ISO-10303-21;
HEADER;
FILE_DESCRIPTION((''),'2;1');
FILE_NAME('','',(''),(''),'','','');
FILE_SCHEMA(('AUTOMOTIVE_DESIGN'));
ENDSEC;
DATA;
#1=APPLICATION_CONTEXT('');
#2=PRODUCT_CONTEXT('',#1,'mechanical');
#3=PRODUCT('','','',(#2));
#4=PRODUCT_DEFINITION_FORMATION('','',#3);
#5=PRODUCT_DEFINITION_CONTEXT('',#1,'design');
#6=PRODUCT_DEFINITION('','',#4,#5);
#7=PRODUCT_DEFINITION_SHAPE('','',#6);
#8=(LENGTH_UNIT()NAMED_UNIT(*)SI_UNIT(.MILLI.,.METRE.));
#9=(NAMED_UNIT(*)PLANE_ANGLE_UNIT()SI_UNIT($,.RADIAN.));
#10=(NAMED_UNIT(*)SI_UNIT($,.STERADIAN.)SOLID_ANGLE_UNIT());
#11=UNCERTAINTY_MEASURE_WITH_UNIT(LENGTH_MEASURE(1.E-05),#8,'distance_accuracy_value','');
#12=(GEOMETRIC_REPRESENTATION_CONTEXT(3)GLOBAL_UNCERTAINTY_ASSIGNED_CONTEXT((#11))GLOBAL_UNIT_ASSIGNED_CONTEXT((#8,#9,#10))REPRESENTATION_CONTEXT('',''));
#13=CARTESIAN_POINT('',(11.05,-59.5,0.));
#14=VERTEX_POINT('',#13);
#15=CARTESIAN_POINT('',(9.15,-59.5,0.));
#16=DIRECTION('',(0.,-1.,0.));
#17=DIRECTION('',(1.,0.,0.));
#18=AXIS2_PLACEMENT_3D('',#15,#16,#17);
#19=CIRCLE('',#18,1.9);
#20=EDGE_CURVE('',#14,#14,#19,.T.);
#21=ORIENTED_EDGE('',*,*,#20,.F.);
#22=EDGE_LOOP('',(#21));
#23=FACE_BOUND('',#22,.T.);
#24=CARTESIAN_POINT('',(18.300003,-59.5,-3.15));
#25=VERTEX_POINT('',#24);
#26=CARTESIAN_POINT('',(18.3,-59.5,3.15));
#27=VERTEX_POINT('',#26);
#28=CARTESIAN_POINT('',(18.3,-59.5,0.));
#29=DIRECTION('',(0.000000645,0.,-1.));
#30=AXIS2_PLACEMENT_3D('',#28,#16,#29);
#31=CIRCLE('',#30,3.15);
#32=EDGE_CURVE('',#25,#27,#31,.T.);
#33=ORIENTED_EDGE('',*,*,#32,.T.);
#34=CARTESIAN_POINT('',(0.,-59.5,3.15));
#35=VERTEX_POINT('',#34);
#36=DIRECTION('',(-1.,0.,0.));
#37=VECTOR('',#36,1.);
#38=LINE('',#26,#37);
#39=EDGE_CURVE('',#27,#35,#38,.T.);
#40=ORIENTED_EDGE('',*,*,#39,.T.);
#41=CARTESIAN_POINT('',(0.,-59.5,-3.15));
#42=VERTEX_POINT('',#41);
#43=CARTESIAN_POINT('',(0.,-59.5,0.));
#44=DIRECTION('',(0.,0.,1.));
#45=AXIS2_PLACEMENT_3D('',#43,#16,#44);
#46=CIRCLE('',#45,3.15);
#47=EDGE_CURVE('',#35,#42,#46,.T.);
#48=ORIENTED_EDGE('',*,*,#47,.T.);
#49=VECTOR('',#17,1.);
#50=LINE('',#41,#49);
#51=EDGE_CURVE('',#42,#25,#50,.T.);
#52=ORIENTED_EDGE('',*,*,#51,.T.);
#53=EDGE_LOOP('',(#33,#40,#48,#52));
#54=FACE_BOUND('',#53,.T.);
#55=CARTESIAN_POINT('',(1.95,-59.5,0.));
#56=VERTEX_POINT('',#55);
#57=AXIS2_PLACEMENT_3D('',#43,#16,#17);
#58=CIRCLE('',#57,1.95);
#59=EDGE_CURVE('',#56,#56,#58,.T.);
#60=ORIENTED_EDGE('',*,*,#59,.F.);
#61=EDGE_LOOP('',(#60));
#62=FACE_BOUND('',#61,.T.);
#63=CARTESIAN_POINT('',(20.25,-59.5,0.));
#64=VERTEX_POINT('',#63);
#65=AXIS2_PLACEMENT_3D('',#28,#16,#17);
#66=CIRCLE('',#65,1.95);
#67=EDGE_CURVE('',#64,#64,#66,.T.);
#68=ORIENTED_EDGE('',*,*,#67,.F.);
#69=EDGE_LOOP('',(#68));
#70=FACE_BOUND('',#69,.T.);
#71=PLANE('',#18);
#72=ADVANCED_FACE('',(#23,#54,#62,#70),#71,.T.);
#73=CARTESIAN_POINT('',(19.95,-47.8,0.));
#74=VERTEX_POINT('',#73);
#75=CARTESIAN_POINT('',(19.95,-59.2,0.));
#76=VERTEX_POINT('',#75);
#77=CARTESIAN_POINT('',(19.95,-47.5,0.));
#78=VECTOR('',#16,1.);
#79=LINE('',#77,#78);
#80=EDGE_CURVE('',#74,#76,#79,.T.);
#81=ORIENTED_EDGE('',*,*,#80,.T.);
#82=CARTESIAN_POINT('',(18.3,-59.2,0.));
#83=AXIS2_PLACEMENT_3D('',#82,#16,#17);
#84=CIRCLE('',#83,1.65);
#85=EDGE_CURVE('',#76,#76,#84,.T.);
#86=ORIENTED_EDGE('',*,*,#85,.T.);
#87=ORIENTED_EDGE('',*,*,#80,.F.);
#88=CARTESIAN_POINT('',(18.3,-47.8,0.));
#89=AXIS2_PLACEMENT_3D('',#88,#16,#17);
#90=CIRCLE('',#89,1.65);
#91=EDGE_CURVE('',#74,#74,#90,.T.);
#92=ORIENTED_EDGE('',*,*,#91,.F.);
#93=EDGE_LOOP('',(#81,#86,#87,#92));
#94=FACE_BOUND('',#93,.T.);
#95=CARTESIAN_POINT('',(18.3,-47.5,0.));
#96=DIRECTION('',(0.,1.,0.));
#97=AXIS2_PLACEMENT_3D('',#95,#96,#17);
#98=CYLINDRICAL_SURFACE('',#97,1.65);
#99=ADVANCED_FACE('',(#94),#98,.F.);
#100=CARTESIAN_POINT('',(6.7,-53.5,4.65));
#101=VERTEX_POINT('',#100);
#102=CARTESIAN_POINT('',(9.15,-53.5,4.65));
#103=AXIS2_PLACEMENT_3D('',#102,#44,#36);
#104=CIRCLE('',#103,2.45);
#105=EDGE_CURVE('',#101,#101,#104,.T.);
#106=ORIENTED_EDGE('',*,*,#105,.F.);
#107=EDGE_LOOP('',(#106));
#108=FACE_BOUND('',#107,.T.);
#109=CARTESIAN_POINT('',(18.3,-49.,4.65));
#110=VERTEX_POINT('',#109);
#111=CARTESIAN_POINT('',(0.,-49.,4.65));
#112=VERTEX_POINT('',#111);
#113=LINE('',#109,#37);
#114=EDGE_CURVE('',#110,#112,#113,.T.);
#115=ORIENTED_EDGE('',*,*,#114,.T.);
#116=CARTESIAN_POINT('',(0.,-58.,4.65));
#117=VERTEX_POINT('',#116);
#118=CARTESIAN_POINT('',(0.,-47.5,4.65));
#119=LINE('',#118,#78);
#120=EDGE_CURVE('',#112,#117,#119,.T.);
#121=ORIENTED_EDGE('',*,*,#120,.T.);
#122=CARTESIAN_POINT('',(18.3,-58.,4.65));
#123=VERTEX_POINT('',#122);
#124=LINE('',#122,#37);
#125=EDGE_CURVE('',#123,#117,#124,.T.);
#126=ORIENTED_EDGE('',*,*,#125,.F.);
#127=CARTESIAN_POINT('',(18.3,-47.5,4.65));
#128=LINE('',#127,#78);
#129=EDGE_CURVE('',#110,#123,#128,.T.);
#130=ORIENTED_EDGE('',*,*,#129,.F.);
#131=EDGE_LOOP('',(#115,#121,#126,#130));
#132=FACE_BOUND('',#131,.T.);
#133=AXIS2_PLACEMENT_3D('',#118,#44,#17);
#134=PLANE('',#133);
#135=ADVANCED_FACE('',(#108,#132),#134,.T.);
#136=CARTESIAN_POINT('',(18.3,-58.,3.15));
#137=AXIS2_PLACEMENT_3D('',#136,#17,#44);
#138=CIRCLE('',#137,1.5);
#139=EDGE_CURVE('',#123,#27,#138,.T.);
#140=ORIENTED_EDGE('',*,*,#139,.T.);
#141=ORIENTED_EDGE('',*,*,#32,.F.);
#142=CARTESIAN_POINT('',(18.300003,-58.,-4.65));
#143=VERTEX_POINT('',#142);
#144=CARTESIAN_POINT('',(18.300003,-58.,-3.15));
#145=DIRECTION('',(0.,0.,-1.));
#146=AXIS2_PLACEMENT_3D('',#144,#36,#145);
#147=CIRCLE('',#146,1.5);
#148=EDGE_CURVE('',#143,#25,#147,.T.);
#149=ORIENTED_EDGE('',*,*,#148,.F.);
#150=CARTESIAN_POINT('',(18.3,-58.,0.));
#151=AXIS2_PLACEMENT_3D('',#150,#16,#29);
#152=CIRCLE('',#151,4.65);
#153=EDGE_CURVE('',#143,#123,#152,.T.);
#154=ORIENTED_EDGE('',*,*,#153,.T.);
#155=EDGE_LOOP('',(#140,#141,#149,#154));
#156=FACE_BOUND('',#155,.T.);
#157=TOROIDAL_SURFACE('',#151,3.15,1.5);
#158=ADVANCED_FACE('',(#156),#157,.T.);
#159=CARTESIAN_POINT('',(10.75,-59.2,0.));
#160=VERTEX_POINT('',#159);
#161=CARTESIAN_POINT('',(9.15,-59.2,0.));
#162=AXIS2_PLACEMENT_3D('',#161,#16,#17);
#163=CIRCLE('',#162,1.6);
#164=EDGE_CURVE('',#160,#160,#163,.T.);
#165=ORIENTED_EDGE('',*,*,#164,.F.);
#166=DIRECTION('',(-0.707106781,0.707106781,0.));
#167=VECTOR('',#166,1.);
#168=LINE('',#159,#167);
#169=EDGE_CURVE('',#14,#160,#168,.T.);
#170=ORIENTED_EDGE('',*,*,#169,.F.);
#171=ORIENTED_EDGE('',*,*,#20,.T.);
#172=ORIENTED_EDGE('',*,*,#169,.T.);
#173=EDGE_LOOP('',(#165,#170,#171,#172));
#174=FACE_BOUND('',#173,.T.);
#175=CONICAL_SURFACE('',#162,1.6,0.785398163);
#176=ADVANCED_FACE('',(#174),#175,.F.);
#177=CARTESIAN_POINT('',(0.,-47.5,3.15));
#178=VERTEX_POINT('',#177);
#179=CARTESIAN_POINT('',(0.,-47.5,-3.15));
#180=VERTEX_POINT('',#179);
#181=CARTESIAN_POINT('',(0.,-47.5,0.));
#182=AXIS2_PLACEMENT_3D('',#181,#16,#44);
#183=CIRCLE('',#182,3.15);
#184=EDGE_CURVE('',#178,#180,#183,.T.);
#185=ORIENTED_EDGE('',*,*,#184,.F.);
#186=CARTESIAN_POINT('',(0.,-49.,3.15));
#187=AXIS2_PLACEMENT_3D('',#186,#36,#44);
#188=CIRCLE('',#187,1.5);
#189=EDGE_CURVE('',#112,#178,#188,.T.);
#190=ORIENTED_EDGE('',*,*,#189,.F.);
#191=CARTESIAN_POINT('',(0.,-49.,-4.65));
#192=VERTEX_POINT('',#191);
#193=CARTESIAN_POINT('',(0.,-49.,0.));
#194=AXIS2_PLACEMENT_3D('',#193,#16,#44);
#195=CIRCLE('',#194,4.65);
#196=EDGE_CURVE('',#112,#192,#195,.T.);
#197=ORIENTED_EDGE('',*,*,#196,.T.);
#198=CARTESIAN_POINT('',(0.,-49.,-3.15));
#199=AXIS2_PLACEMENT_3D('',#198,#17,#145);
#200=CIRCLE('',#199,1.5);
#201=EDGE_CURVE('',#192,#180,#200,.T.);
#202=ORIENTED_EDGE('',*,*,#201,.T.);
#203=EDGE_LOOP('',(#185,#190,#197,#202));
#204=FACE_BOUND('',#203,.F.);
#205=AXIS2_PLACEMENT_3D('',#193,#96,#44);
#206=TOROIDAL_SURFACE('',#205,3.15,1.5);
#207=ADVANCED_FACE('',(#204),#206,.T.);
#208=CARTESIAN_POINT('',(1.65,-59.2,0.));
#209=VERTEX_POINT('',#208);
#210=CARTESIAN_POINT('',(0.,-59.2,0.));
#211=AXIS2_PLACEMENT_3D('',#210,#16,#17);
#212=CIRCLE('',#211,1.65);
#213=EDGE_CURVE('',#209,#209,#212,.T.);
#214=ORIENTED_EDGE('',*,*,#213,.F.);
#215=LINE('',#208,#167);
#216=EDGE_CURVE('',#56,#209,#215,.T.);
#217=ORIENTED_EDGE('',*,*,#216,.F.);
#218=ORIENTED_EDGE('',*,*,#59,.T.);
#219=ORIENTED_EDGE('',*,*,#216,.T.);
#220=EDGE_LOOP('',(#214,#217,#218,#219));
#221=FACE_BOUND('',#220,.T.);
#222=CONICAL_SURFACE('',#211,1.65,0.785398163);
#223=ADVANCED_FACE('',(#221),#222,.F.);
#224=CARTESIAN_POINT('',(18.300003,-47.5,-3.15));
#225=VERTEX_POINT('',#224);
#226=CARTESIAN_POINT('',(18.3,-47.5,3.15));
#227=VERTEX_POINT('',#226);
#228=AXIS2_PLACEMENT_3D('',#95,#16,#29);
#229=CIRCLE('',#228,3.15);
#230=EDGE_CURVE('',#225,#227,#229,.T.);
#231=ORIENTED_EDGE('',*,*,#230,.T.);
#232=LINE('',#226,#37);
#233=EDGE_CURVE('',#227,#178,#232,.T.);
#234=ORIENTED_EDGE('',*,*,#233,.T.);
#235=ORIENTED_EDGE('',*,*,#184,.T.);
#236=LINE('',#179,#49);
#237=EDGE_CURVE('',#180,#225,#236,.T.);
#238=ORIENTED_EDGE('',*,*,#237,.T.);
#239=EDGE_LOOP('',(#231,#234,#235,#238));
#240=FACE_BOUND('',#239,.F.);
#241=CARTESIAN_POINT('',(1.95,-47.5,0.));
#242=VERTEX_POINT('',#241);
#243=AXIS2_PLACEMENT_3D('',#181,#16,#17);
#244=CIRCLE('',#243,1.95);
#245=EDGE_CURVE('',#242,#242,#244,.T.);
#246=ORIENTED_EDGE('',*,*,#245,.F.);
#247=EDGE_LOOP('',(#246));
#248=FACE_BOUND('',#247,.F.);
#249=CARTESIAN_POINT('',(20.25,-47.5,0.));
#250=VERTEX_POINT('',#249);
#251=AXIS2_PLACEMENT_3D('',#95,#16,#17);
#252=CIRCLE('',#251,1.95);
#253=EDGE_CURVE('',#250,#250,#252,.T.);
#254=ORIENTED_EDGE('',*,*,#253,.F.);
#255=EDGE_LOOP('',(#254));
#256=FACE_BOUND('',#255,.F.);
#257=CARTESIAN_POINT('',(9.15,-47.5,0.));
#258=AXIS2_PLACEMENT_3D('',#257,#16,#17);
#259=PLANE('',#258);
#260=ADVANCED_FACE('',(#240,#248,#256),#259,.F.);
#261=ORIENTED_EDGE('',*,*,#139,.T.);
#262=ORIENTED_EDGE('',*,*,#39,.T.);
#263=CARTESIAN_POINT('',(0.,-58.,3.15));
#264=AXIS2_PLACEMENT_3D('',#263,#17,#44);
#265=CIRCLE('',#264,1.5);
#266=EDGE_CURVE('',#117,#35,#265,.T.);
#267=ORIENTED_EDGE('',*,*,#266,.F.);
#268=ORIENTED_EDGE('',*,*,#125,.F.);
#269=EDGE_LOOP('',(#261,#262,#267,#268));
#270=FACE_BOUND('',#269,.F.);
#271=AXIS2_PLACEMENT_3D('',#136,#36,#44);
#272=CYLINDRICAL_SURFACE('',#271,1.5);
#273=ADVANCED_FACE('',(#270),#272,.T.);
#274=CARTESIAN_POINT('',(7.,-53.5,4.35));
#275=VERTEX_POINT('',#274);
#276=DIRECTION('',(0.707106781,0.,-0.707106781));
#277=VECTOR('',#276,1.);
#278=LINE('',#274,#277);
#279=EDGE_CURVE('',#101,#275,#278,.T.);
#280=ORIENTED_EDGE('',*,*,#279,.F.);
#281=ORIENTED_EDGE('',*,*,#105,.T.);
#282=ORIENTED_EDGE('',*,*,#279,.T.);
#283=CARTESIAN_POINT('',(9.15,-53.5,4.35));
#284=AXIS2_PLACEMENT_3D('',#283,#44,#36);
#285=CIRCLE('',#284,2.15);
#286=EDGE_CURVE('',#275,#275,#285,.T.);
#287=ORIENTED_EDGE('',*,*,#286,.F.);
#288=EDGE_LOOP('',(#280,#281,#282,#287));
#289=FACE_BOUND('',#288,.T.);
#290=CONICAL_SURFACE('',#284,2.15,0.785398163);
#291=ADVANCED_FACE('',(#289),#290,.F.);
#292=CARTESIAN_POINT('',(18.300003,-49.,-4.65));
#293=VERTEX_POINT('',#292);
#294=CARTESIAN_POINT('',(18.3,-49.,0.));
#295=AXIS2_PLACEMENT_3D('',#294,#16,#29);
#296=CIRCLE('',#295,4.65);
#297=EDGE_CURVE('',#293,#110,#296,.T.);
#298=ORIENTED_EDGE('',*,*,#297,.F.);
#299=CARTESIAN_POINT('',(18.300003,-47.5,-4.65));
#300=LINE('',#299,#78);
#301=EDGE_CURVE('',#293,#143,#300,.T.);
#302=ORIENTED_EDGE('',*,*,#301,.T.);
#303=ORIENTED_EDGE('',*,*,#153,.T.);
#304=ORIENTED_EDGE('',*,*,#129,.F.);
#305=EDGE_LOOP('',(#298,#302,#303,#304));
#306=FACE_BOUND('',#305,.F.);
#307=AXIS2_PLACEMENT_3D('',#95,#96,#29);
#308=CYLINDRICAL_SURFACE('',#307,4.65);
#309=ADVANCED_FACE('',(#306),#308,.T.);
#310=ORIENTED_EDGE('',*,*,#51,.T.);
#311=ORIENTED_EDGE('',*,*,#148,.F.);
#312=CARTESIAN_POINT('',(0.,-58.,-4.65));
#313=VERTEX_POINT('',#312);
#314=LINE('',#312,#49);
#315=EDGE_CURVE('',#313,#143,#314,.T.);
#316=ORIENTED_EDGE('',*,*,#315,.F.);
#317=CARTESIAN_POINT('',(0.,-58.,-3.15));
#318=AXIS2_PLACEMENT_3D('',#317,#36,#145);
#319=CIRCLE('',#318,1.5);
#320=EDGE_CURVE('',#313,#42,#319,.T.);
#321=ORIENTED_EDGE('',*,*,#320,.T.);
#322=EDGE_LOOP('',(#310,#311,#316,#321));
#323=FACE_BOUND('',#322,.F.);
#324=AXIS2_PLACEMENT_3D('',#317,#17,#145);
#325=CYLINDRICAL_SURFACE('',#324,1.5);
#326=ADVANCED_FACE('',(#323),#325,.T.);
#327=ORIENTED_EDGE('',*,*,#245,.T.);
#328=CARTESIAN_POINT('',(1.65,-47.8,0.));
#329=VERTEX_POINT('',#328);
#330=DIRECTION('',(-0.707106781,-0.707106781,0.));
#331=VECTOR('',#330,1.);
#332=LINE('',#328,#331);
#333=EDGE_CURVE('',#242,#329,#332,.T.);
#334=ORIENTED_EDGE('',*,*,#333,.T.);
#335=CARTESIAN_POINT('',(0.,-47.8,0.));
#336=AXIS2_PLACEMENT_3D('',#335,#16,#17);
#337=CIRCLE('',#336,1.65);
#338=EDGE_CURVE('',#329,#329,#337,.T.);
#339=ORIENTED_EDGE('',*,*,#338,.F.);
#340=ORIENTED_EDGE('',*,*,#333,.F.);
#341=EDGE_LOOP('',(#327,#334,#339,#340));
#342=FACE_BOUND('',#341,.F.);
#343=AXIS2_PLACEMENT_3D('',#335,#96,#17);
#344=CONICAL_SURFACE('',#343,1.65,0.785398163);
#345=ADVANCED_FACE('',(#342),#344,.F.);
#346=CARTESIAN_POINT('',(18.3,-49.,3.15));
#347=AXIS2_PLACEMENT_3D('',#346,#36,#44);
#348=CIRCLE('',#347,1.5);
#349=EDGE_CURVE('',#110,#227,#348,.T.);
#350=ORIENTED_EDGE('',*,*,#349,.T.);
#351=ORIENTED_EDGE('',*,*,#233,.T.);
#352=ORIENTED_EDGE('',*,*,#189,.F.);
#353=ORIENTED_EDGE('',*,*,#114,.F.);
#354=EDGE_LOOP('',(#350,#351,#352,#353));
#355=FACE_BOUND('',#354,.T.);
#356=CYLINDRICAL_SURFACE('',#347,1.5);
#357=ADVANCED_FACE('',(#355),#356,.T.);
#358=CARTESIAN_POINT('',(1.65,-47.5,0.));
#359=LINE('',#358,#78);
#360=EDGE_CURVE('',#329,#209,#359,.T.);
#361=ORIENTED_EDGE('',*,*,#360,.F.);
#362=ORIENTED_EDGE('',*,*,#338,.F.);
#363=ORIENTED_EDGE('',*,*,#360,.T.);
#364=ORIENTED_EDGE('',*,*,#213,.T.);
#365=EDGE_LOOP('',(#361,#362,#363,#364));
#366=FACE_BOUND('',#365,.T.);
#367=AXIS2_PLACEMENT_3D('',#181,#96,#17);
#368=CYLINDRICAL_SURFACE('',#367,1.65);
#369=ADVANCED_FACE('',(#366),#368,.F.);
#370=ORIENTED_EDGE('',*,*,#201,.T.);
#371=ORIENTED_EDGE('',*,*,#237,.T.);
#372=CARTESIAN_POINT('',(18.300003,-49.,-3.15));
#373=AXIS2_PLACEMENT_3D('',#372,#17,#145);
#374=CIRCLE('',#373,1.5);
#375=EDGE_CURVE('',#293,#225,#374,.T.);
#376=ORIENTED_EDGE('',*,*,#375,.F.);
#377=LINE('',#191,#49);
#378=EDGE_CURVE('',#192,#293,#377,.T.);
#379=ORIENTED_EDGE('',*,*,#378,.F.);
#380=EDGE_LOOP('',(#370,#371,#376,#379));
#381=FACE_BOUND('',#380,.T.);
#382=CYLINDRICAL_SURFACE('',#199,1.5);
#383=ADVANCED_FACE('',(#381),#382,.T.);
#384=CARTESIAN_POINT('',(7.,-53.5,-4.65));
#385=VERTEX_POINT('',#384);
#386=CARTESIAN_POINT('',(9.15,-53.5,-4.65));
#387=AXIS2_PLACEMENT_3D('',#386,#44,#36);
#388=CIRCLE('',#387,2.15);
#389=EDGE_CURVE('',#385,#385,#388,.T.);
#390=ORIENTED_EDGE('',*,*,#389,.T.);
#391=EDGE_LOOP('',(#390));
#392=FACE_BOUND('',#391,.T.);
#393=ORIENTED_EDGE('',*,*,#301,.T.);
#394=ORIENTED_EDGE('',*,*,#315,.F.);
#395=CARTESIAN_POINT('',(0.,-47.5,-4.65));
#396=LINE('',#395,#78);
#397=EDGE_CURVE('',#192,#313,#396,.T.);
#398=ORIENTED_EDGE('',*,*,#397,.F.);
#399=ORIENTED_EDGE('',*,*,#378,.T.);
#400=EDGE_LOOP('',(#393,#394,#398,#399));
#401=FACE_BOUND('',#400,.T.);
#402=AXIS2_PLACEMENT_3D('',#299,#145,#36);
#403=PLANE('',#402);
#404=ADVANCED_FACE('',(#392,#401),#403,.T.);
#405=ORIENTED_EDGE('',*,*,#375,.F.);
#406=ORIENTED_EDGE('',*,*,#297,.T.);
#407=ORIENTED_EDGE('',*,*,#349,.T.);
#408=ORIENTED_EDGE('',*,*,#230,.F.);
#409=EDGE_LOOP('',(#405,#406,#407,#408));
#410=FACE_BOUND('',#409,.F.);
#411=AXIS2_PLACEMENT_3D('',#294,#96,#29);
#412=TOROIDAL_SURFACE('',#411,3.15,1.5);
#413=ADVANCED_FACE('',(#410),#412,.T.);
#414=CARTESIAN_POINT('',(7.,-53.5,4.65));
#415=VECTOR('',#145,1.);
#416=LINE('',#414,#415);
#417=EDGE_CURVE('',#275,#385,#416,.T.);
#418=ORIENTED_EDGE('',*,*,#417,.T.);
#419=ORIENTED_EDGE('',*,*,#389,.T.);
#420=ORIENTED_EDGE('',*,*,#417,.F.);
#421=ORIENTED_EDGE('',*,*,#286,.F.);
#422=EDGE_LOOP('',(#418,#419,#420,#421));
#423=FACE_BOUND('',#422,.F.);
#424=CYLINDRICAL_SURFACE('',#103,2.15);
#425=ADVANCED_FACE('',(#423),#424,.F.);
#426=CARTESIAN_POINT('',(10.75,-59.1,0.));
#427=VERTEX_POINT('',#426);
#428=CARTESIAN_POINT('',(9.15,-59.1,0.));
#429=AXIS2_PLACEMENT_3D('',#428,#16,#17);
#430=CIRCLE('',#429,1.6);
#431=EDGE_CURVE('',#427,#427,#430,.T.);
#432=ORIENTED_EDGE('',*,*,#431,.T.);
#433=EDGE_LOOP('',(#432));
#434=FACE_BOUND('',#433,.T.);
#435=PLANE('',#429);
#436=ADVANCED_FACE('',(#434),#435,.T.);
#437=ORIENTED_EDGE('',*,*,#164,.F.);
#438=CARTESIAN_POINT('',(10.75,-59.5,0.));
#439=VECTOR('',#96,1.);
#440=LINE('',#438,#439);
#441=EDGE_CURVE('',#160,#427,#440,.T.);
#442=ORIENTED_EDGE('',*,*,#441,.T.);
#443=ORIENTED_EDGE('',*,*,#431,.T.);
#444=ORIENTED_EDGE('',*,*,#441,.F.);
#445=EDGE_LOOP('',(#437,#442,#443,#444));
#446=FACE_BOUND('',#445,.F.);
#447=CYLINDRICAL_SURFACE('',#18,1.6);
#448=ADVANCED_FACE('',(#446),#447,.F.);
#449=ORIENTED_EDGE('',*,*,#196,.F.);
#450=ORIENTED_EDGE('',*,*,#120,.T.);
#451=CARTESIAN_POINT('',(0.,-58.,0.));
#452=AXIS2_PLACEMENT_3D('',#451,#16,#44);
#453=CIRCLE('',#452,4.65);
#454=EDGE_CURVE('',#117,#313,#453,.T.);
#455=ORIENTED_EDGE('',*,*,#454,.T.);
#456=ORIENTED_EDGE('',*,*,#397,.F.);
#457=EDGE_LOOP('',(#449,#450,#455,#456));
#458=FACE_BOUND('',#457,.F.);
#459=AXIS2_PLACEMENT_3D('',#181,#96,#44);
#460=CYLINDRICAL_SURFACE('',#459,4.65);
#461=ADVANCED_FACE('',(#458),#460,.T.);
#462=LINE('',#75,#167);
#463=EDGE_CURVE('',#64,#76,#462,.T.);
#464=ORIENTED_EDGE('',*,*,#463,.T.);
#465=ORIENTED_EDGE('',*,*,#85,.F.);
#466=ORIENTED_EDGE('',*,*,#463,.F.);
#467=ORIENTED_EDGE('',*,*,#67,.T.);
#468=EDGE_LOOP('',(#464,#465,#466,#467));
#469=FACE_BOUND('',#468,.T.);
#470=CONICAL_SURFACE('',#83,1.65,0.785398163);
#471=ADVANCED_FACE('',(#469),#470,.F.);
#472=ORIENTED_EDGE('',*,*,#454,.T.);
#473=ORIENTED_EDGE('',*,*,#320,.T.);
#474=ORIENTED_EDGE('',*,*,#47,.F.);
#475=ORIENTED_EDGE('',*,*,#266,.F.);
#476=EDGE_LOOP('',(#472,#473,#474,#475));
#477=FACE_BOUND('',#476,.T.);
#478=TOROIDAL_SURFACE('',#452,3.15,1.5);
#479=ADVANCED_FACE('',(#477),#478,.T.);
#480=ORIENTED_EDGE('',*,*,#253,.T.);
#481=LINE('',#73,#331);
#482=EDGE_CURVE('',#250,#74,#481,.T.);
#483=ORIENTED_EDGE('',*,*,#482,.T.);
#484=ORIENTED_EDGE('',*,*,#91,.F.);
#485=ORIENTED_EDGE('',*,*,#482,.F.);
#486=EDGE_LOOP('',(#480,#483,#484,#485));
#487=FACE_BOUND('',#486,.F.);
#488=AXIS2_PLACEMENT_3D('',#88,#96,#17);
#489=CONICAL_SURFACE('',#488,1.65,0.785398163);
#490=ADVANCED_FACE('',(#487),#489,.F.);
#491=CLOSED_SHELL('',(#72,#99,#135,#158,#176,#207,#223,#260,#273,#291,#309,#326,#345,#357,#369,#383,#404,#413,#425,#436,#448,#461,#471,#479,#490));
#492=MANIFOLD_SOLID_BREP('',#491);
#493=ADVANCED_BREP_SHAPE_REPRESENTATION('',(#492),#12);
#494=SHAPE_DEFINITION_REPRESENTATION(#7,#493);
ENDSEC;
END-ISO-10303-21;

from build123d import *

# Parameters (mm, degrees)
SKETCH005_R     = 1.65
PAD003_DEPTH    = 12
SKETCH006_R     = 2.15
POCKET004_DEPTH = 20
CHAMFER002_SIZE = 0.3
FILLET002_R     = 1.5
SKETCH007_R     = 1.6
POCKET005_DEPTH = 0.4
CHAMFER003_SIZE = 0.3


with BuildPart() as part:
    # Sketch005 → Pad003 (new body)
    with BuildSketch(Plane.XZ):
        with BuildLine():
            ThreePointArc((0, 4.65), (-4.65, 0), (0, -4.65))
            Line((18.300003, -4.65), (0, -4.65))
            ThreePointArc((18.300003, -4.65), (22.95, 2e-06), (18.3, 4.65))
            Line((0, 4.65), (18.3, 4.65))
        make_face()
        Circle(SKETCH005_R, mode=Mode.SUBTRACT)
        with Locations((18.3, 0)):
            Circle(SKETCH005_R, mode=Mode.SUBTRACT)
    extrude(amount=PAD003_DEPTH)

    # Sketch006 (on Face2 of Pad003) → Pocket004 (cut)
    with BuildSketch(Plane(origin=(0, 0, 4.65), x_dir=(-1, 0, 0), z_dir=(0, 0, 1))):
        with Locations((-9.15, 6)):
            Circle(SKETCH006_R)
    extrude(amount=-POCKET004_DEPTH, mode=Mode.SUBTRACT)

    # Chamfer002
    chamfer002_edges = [part.edges().sort_by_distance(p)[0] for p in [
        (-1.65, -12, 0),
        (11.3, -6, 4.65),
        (16.65, -12, 0),
        (16.65, 0, 0),
        (-1.65, 0, 0),
    ]]
    chamfer(chamfer002_edges, length=CHAMFER002_SIZE)

    # Fillet002
    fillet002_edges = [part.edges().sort_by_distance(p)[0] for p in [
        (-4.65, 0, 0),
        (-4.65, -12, 0),
    ]]
    fillet(fillet002_edges, radius=FILLET002_R)

    # Sketch007 (on Face13 of Fillet002) → Pocket005 (cut)
    with BuildSketch(Plane.XZ.offset(12)):
        with Locations((9.15, 0)):
            Circle(SKETCH007_R)
    extrude(amount=-POCKET005_DEPTH, mode=Mode.SUBTRACT)

    # Chamfer003
    chamfer003_edges = [part.edges().sort_by_distance(p)[0] for p in [
        (7.55, -12, 0),
    ]]
    chamfer(chamfer003_edges, length=CHAMFER003_SIZE)


with BuildPart() as part_1:
    # Body002 placement: moved
    add(part.part.moved(Location((0, -47.5, 0))))


solid = part_1.part
